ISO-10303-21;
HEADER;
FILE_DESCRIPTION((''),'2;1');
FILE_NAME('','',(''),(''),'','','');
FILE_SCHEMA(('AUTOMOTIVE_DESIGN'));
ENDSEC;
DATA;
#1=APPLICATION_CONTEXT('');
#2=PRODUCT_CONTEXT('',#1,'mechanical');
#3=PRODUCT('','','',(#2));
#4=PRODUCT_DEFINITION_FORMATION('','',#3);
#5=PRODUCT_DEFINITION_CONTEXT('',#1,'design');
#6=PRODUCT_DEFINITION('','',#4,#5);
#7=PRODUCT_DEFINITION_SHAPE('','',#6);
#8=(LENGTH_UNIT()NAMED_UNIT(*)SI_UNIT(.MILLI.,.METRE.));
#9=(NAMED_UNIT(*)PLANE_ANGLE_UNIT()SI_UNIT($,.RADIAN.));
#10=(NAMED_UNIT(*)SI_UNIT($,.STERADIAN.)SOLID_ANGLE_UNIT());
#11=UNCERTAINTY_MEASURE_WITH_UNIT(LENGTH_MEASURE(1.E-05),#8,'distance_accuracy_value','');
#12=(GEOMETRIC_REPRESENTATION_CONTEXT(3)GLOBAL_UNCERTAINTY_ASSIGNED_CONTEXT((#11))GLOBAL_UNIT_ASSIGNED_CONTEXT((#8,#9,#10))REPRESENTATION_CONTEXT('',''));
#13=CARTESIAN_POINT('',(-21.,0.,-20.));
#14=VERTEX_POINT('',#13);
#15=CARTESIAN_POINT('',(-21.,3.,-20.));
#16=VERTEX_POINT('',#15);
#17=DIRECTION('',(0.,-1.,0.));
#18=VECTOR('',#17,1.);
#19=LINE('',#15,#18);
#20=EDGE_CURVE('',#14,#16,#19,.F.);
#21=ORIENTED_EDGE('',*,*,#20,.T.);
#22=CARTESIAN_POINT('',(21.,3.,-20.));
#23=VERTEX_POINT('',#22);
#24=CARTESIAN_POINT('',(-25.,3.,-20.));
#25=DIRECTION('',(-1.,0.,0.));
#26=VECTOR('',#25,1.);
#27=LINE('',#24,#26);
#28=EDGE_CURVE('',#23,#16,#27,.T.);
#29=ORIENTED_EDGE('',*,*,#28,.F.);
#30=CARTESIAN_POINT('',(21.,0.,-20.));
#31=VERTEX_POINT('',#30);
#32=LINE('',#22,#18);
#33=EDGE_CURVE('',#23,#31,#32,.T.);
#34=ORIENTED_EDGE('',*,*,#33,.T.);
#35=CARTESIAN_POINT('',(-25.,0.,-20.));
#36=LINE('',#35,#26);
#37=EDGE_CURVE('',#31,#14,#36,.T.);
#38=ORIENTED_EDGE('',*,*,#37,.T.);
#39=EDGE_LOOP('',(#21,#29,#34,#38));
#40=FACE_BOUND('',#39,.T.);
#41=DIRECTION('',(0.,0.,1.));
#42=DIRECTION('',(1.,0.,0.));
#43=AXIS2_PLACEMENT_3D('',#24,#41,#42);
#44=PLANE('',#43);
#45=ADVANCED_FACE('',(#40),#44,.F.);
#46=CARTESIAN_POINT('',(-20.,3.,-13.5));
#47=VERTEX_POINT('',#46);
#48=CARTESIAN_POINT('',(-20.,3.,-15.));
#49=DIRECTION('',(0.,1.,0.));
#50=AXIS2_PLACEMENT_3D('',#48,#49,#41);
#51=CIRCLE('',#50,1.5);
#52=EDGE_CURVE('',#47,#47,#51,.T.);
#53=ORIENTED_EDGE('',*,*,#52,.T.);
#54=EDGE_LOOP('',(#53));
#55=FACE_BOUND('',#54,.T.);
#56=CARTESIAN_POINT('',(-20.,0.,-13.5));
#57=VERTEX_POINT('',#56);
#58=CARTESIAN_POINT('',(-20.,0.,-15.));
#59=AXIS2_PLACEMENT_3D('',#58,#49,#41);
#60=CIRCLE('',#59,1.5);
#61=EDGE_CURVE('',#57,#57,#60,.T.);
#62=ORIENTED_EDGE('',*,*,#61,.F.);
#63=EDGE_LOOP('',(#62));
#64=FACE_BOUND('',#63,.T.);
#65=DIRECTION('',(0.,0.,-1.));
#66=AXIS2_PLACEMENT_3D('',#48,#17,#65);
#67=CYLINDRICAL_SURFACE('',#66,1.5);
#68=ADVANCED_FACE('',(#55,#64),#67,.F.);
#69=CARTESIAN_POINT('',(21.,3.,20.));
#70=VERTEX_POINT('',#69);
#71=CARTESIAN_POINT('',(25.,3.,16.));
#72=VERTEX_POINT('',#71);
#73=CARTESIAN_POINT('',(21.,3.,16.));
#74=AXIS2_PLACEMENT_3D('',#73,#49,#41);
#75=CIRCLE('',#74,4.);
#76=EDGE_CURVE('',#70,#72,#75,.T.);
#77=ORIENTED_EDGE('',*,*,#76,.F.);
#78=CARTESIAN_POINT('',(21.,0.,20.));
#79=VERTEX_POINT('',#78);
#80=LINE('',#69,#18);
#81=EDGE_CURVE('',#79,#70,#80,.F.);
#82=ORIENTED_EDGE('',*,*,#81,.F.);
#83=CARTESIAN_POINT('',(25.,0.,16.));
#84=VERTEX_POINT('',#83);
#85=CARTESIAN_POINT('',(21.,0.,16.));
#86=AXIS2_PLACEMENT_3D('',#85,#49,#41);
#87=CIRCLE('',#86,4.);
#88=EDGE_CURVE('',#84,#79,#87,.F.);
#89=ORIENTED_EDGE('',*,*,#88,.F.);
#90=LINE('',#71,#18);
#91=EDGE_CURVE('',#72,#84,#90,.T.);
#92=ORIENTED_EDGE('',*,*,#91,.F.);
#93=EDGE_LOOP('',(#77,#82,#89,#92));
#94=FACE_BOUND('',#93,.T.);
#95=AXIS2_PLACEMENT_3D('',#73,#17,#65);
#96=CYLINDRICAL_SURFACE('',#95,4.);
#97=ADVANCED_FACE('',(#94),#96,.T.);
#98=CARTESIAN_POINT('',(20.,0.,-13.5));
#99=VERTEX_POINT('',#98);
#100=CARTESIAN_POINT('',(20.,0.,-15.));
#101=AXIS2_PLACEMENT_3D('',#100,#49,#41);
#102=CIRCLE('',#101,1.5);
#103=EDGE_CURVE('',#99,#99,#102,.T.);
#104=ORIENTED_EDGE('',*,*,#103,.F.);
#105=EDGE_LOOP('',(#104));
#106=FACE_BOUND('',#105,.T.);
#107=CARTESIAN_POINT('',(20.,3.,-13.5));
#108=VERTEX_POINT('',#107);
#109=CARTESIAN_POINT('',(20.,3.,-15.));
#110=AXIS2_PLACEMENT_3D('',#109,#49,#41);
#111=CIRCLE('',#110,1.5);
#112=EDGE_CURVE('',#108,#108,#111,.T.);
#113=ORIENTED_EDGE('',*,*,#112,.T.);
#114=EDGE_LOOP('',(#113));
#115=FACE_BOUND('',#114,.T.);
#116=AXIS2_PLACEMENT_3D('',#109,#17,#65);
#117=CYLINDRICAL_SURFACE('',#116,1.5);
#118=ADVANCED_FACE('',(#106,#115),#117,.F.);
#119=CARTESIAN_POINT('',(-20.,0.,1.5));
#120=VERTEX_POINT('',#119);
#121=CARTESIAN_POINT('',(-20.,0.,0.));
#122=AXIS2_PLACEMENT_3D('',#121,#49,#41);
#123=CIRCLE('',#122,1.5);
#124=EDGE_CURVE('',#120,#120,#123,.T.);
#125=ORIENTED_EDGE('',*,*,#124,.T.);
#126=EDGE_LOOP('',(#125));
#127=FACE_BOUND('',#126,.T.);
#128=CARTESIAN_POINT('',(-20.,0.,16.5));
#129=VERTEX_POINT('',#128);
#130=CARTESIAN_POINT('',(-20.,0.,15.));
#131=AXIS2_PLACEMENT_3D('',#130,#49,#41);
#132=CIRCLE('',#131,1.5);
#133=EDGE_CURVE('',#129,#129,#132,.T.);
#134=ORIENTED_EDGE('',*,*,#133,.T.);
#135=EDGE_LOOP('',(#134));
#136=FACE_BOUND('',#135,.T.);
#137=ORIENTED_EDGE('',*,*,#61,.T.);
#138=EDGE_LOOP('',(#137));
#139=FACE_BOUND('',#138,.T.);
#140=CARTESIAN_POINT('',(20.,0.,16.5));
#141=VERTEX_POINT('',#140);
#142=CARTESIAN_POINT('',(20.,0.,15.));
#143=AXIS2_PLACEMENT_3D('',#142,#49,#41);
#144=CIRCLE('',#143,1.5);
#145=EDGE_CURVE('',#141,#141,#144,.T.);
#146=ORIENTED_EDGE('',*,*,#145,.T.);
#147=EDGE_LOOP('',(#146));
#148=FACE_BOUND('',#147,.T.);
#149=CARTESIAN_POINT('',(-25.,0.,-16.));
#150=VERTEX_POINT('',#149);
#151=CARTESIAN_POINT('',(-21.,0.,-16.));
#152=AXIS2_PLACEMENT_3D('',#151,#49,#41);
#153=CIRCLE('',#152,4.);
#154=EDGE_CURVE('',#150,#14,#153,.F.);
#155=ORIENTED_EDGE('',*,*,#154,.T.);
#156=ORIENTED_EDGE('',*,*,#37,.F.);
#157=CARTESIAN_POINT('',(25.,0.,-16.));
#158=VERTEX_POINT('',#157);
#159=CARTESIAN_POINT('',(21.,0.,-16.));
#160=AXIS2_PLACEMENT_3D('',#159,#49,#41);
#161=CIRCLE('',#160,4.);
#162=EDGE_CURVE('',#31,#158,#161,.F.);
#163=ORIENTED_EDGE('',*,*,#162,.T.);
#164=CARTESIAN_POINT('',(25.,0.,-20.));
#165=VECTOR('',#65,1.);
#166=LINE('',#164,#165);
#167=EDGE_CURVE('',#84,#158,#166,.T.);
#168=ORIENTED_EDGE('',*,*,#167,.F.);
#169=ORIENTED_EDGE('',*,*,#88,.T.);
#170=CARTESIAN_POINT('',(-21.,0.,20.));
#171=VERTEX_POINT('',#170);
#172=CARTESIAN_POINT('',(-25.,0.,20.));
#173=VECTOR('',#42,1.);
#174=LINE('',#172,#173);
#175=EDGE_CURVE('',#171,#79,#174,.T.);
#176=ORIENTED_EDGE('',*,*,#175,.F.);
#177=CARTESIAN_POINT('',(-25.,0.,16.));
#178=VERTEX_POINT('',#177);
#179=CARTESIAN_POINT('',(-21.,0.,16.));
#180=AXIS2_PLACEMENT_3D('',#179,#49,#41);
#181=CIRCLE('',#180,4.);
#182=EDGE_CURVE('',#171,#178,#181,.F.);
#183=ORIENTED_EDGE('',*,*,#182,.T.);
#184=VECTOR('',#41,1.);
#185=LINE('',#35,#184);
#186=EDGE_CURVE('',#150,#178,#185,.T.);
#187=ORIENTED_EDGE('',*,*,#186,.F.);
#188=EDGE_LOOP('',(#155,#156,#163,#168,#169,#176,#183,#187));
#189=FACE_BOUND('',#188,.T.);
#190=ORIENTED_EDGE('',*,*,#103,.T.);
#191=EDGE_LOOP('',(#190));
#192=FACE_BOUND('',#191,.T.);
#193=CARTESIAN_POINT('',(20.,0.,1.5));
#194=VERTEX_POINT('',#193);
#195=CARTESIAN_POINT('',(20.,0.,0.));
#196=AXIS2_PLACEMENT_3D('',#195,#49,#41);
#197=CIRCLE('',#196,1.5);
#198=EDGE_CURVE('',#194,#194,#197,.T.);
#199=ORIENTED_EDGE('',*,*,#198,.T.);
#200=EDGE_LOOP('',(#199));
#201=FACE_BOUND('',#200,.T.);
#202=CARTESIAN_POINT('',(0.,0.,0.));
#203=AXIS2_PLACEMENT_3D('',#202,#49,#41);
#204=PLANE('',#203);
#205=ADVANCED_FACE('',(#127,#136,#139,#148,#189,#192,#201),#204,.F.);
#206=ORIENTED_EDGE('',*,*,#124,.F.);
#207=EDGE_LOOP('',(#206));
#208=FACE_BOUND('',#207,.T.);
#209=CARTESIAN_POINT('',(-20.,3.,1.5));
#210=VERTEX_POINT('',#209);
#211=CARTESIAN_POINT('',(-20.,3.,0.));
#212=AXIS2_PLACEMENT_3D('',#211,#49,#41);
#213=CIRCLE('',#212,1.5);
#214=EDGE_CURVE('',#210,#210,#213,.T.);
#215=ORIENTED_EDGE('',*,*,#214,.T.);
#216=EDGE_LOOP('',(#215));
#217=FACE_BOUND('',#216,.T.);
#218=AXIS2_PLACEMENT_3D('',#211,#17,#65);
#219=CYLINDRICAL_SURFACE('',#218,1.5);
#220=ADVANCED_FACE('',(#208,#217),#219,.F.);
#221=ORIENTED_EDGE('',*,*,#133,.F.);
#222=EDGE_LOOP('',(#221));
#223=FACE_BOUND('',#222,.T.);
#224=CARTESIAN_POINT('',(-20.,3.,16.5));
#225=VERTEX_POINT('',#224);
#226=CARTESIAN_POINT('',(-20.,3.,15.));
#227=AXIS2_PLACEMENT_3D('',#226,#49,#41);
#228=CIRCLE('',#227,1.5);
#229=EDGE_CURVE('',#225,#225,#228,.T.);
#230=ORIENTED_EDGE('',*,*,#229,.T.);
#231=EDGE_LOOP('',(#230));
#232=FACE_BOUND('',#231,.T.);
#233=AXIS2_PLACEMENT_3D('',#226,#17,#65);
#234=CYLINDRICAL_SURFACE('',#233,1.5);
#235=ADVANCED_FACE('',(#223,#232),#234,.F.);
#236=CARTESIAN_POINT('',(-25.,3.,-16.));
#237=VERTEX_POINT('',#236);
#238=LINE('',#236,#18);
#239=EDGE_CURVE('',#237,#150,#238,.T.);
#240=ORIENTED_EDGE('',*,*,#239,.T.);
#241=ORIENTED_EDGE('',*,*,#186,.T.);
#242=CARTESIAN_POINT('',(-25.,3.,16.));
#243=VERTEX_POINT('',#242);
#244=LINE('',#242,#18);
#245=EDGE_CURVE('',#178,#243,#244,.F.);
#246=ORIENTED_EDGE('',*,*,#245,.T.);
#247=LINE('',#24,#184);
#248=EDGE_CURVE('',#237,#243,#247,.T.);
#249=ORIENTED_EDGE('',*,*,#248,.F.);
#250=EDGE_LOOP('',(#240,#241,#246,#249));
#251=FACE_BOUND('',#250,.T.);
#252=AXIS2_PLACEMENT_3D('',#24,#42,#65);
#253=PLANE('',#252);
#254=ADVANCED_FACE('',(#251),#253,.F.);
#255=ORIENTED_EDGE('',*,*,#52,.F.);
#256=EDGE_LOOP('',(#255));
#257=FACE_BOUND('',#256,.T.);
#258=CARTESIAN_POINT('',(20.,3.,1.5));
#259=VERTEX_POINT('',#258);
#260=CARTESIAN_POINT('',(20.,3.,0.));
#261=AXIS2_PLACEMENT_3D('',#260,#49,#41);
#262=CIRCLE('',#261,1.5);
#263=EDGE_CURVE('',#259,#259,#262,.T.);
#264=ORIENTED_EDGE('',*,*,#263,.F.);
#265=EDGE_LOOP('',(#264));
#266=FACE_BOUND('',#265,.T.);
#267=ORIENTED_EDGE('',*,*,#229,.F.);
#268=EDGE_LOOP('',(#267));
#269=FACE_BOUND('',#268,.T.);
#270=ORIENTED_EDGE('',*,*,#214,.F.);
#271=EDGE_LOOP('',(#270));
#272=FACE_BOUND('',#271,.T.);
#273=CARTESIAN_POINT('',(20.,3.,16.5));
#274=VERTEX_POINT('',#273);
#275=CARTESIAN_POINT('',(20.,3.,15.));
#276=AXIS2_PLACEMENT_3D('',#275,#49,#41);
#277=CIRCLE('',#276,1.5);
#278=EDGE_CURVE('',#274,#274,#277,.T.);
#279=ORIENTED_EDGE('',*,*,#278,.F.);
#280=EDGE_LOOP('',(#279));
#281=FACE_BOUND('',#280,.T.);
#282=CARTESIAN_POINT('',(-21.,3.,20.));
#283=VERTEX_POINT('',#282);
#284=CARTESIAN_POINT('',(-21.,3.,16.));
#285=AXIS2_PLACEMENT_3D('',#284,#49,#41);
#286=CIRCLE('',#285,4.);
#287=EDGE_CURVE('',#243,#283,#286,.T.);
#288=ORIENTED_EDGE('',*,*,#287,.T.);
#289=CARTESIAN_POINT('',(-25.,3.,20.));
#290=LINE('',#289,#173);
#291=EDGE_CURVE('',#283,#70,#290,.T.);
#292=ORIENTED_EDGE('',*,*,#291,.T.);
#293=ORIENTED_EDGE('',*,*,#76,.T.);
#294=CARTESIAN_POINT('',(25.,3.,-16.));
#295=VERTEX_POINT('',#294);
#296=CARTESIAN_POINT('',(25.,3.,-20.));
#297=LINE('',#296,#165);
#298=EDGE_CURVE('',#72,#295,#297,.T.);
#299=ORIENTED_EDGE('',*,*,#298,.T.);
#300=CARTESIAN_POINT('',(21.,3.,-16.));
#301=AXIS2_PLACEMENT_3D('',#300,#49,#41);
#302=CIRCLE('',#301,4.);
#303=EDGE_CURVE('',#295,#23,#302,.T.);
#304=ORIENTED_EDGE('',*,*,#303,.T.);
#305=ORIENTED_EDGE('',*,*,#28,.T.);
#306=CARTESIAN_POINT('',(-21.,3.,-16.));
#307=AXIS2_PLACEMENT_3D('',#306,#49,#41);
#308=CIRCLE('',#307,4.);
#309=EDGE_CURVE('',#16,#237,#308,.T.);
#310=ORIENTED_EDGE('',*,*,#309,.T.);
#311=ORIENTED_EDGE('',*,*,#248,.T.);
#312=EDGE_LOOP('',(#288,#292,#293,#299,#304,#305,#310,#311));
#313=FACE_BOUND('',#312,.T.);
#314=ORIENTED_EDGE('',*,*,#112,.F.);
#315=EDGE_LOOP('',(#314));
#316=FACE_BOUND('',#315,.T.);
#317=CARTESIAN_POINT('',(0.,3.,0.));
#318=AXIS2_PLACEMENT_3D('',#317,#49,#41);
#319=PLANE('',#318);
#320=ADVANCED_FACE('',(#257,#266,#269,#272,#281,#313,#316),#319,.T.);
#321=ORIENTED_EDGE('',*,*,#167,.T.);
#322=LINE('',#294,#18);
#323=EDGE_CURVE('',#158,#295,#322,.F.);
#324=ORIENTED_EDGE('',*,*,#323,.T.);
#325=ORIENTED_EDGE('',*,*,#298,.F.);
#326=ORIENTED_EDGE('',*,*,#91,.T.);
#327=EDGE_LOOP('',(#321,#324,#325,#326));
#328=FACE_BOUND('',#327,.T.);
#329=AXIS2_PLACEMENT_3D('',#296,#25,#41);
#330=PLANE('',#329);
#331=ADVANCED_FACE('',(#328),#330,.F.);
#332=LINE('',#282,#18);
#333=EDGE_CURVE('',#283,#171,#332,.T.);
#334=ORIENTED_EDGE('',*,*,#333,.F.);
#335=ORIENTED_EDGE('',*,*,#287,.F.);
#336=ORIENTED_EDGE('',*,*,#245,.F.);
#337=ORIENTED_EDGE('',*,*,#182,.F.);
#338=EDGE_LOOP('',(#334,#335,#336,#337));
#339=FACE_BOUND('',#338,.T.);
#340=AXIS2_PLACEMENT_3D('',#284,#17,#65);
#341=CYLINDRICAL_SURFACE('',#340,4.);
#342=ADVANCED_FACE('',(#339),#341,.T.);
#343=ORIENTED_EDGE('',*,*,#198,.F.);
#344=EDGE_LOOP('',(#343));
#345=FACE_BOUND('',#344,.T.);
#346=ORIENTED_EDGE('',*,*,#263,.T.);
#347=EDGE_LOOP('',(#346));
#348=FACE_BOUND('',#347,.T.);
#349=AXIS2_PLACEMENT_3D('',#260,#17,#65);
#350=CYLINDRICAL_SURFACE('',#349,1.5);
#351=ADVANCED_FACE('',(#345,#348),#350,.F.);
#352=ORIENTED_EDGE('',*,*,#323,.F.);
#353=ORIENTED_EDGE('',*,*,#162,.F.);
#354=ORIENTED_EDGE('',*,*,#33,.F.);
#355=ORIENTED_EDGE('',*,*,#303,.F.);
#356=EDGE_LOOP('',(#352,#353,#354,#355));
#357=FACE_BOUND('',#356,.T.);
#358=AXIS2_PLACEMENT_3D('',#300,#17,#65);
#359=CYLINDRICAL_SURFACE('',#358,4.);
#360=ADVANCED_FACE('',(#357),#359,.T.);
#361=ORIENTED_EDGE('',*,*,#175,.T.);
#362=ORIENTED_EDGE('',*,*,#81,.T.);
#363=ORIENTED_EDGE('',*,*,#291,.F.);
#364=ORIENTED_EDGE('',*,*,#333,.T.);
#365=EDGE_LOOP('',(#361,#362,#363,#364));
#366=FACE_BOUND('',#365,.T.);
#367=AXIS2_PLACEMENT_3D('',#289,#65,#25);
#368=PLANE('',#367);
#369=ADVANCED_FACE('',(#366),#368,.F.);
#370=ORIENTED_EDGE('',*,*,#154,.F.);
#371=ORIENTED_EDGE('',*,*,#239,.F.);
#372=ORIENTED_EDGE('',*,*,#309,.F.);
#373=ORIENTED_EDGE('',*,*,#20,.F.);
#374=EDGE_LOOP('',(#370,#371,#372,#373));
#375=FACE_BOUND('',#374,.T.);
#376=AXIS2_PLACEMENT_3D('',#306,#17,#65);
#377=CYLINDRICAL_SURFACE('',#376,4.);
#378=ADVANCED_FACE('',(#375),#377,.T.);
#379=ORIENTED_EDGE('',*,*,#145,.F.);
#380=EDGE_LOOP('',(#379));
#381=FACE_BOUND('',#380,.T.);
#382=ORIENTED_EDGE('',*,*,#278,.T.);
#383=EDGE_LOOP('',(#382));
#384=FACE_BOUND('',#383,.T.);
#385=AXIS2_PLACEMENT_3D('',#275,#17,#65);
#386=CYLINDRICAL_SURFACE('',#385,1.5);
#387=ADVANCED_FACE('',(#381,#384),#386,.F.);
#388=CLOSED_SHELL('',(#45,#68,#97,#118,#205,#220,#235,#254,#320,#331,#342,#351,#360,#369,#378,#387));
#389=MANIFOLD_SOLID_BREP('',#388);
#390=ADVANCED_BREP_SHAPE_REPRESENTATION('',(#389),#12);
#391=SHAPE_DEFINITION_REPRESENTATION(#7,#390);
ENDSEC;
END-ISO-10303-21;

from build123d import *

# Parameters (mm, degrees)
SKETCH1_W           = 50
SKETCH1_H           = 40
BOSS_EXTRUDE1_DEPTH = 3
FILLET1_R           = 4
SKETCH2_R           = 1.5
CUT_EXTRUDE1_DEPTH  = 3
SKETCH3_R           = 1.5
CUT_EXTRUDE3_DEPTH  = 3


with BuildPart() as part:
    # Sketch1 → Boss-Extrude1 (new body)
    with BuildSketch(Plane(origin=(0, 0, 0), x_dir=(1, 0, 0), z_dir=(0, 1, 0))):
        Rectangle(SKETCH1_W, SKETCH1_H)
    extrude(amount=BOSS_EXTRUDE1_DEPTH)

    # Fillet1
    fillet1_edges = [part.edges().sort_by_distance(p)[0] for p in [
        (25, 1.5, 20),
        (-25, 1.5, 20),
        (-25, 1.5, -20),
        (25, 1.5, -20),
    ]]
    fillet(fillet1_edges, radius=FILLET1_R)

    # Sketch2 → Cut-Extrude1 (cut)
    with BuildSketch(Plane(origin=(0, 0, 0), x_dir=(1, 0, 0), z_dir=(0, 1, 0))):
        with Locations(Location((-20, 0, 0), (0, 0, 270))):
            Circle(SKETCH2_R)
        with Locations(Location((20, 0, 0), (0, 0, 270))):
            Circle(SKETCH2_R)
    extrude(amount=CUT_EXTRUDE1_DEPTH, mode=Mode.SUBTRACT)

    # Sketch3 → Cut-Extrude3 (cut)
    with BuildSketch(Plane(origin=(0, 0, 0), x_dir=(1, 0, 0), z_dir=(0, 1, 0))):
        with Locations(Location((-20, -15, 0), (0, 0, 270))):
            Circle(SKETCH3_R)
        with Locations(Location((20, -15, 0), (0, 0, 270))):
            Circle(SKETCH3_R)
        with Locations(Location((20, 15, 0), (0, 0, 270))):
            Circle(SKETCH3_R)
        with Locations(Location((-20, 15, 0), (0, 0, 270))):
            Circle(SKETCH3_R)
    extrude(amount=CUT_EXTRUDE3_DEPTH, mode=Mode.SUBTRACT)


solid = part.part
